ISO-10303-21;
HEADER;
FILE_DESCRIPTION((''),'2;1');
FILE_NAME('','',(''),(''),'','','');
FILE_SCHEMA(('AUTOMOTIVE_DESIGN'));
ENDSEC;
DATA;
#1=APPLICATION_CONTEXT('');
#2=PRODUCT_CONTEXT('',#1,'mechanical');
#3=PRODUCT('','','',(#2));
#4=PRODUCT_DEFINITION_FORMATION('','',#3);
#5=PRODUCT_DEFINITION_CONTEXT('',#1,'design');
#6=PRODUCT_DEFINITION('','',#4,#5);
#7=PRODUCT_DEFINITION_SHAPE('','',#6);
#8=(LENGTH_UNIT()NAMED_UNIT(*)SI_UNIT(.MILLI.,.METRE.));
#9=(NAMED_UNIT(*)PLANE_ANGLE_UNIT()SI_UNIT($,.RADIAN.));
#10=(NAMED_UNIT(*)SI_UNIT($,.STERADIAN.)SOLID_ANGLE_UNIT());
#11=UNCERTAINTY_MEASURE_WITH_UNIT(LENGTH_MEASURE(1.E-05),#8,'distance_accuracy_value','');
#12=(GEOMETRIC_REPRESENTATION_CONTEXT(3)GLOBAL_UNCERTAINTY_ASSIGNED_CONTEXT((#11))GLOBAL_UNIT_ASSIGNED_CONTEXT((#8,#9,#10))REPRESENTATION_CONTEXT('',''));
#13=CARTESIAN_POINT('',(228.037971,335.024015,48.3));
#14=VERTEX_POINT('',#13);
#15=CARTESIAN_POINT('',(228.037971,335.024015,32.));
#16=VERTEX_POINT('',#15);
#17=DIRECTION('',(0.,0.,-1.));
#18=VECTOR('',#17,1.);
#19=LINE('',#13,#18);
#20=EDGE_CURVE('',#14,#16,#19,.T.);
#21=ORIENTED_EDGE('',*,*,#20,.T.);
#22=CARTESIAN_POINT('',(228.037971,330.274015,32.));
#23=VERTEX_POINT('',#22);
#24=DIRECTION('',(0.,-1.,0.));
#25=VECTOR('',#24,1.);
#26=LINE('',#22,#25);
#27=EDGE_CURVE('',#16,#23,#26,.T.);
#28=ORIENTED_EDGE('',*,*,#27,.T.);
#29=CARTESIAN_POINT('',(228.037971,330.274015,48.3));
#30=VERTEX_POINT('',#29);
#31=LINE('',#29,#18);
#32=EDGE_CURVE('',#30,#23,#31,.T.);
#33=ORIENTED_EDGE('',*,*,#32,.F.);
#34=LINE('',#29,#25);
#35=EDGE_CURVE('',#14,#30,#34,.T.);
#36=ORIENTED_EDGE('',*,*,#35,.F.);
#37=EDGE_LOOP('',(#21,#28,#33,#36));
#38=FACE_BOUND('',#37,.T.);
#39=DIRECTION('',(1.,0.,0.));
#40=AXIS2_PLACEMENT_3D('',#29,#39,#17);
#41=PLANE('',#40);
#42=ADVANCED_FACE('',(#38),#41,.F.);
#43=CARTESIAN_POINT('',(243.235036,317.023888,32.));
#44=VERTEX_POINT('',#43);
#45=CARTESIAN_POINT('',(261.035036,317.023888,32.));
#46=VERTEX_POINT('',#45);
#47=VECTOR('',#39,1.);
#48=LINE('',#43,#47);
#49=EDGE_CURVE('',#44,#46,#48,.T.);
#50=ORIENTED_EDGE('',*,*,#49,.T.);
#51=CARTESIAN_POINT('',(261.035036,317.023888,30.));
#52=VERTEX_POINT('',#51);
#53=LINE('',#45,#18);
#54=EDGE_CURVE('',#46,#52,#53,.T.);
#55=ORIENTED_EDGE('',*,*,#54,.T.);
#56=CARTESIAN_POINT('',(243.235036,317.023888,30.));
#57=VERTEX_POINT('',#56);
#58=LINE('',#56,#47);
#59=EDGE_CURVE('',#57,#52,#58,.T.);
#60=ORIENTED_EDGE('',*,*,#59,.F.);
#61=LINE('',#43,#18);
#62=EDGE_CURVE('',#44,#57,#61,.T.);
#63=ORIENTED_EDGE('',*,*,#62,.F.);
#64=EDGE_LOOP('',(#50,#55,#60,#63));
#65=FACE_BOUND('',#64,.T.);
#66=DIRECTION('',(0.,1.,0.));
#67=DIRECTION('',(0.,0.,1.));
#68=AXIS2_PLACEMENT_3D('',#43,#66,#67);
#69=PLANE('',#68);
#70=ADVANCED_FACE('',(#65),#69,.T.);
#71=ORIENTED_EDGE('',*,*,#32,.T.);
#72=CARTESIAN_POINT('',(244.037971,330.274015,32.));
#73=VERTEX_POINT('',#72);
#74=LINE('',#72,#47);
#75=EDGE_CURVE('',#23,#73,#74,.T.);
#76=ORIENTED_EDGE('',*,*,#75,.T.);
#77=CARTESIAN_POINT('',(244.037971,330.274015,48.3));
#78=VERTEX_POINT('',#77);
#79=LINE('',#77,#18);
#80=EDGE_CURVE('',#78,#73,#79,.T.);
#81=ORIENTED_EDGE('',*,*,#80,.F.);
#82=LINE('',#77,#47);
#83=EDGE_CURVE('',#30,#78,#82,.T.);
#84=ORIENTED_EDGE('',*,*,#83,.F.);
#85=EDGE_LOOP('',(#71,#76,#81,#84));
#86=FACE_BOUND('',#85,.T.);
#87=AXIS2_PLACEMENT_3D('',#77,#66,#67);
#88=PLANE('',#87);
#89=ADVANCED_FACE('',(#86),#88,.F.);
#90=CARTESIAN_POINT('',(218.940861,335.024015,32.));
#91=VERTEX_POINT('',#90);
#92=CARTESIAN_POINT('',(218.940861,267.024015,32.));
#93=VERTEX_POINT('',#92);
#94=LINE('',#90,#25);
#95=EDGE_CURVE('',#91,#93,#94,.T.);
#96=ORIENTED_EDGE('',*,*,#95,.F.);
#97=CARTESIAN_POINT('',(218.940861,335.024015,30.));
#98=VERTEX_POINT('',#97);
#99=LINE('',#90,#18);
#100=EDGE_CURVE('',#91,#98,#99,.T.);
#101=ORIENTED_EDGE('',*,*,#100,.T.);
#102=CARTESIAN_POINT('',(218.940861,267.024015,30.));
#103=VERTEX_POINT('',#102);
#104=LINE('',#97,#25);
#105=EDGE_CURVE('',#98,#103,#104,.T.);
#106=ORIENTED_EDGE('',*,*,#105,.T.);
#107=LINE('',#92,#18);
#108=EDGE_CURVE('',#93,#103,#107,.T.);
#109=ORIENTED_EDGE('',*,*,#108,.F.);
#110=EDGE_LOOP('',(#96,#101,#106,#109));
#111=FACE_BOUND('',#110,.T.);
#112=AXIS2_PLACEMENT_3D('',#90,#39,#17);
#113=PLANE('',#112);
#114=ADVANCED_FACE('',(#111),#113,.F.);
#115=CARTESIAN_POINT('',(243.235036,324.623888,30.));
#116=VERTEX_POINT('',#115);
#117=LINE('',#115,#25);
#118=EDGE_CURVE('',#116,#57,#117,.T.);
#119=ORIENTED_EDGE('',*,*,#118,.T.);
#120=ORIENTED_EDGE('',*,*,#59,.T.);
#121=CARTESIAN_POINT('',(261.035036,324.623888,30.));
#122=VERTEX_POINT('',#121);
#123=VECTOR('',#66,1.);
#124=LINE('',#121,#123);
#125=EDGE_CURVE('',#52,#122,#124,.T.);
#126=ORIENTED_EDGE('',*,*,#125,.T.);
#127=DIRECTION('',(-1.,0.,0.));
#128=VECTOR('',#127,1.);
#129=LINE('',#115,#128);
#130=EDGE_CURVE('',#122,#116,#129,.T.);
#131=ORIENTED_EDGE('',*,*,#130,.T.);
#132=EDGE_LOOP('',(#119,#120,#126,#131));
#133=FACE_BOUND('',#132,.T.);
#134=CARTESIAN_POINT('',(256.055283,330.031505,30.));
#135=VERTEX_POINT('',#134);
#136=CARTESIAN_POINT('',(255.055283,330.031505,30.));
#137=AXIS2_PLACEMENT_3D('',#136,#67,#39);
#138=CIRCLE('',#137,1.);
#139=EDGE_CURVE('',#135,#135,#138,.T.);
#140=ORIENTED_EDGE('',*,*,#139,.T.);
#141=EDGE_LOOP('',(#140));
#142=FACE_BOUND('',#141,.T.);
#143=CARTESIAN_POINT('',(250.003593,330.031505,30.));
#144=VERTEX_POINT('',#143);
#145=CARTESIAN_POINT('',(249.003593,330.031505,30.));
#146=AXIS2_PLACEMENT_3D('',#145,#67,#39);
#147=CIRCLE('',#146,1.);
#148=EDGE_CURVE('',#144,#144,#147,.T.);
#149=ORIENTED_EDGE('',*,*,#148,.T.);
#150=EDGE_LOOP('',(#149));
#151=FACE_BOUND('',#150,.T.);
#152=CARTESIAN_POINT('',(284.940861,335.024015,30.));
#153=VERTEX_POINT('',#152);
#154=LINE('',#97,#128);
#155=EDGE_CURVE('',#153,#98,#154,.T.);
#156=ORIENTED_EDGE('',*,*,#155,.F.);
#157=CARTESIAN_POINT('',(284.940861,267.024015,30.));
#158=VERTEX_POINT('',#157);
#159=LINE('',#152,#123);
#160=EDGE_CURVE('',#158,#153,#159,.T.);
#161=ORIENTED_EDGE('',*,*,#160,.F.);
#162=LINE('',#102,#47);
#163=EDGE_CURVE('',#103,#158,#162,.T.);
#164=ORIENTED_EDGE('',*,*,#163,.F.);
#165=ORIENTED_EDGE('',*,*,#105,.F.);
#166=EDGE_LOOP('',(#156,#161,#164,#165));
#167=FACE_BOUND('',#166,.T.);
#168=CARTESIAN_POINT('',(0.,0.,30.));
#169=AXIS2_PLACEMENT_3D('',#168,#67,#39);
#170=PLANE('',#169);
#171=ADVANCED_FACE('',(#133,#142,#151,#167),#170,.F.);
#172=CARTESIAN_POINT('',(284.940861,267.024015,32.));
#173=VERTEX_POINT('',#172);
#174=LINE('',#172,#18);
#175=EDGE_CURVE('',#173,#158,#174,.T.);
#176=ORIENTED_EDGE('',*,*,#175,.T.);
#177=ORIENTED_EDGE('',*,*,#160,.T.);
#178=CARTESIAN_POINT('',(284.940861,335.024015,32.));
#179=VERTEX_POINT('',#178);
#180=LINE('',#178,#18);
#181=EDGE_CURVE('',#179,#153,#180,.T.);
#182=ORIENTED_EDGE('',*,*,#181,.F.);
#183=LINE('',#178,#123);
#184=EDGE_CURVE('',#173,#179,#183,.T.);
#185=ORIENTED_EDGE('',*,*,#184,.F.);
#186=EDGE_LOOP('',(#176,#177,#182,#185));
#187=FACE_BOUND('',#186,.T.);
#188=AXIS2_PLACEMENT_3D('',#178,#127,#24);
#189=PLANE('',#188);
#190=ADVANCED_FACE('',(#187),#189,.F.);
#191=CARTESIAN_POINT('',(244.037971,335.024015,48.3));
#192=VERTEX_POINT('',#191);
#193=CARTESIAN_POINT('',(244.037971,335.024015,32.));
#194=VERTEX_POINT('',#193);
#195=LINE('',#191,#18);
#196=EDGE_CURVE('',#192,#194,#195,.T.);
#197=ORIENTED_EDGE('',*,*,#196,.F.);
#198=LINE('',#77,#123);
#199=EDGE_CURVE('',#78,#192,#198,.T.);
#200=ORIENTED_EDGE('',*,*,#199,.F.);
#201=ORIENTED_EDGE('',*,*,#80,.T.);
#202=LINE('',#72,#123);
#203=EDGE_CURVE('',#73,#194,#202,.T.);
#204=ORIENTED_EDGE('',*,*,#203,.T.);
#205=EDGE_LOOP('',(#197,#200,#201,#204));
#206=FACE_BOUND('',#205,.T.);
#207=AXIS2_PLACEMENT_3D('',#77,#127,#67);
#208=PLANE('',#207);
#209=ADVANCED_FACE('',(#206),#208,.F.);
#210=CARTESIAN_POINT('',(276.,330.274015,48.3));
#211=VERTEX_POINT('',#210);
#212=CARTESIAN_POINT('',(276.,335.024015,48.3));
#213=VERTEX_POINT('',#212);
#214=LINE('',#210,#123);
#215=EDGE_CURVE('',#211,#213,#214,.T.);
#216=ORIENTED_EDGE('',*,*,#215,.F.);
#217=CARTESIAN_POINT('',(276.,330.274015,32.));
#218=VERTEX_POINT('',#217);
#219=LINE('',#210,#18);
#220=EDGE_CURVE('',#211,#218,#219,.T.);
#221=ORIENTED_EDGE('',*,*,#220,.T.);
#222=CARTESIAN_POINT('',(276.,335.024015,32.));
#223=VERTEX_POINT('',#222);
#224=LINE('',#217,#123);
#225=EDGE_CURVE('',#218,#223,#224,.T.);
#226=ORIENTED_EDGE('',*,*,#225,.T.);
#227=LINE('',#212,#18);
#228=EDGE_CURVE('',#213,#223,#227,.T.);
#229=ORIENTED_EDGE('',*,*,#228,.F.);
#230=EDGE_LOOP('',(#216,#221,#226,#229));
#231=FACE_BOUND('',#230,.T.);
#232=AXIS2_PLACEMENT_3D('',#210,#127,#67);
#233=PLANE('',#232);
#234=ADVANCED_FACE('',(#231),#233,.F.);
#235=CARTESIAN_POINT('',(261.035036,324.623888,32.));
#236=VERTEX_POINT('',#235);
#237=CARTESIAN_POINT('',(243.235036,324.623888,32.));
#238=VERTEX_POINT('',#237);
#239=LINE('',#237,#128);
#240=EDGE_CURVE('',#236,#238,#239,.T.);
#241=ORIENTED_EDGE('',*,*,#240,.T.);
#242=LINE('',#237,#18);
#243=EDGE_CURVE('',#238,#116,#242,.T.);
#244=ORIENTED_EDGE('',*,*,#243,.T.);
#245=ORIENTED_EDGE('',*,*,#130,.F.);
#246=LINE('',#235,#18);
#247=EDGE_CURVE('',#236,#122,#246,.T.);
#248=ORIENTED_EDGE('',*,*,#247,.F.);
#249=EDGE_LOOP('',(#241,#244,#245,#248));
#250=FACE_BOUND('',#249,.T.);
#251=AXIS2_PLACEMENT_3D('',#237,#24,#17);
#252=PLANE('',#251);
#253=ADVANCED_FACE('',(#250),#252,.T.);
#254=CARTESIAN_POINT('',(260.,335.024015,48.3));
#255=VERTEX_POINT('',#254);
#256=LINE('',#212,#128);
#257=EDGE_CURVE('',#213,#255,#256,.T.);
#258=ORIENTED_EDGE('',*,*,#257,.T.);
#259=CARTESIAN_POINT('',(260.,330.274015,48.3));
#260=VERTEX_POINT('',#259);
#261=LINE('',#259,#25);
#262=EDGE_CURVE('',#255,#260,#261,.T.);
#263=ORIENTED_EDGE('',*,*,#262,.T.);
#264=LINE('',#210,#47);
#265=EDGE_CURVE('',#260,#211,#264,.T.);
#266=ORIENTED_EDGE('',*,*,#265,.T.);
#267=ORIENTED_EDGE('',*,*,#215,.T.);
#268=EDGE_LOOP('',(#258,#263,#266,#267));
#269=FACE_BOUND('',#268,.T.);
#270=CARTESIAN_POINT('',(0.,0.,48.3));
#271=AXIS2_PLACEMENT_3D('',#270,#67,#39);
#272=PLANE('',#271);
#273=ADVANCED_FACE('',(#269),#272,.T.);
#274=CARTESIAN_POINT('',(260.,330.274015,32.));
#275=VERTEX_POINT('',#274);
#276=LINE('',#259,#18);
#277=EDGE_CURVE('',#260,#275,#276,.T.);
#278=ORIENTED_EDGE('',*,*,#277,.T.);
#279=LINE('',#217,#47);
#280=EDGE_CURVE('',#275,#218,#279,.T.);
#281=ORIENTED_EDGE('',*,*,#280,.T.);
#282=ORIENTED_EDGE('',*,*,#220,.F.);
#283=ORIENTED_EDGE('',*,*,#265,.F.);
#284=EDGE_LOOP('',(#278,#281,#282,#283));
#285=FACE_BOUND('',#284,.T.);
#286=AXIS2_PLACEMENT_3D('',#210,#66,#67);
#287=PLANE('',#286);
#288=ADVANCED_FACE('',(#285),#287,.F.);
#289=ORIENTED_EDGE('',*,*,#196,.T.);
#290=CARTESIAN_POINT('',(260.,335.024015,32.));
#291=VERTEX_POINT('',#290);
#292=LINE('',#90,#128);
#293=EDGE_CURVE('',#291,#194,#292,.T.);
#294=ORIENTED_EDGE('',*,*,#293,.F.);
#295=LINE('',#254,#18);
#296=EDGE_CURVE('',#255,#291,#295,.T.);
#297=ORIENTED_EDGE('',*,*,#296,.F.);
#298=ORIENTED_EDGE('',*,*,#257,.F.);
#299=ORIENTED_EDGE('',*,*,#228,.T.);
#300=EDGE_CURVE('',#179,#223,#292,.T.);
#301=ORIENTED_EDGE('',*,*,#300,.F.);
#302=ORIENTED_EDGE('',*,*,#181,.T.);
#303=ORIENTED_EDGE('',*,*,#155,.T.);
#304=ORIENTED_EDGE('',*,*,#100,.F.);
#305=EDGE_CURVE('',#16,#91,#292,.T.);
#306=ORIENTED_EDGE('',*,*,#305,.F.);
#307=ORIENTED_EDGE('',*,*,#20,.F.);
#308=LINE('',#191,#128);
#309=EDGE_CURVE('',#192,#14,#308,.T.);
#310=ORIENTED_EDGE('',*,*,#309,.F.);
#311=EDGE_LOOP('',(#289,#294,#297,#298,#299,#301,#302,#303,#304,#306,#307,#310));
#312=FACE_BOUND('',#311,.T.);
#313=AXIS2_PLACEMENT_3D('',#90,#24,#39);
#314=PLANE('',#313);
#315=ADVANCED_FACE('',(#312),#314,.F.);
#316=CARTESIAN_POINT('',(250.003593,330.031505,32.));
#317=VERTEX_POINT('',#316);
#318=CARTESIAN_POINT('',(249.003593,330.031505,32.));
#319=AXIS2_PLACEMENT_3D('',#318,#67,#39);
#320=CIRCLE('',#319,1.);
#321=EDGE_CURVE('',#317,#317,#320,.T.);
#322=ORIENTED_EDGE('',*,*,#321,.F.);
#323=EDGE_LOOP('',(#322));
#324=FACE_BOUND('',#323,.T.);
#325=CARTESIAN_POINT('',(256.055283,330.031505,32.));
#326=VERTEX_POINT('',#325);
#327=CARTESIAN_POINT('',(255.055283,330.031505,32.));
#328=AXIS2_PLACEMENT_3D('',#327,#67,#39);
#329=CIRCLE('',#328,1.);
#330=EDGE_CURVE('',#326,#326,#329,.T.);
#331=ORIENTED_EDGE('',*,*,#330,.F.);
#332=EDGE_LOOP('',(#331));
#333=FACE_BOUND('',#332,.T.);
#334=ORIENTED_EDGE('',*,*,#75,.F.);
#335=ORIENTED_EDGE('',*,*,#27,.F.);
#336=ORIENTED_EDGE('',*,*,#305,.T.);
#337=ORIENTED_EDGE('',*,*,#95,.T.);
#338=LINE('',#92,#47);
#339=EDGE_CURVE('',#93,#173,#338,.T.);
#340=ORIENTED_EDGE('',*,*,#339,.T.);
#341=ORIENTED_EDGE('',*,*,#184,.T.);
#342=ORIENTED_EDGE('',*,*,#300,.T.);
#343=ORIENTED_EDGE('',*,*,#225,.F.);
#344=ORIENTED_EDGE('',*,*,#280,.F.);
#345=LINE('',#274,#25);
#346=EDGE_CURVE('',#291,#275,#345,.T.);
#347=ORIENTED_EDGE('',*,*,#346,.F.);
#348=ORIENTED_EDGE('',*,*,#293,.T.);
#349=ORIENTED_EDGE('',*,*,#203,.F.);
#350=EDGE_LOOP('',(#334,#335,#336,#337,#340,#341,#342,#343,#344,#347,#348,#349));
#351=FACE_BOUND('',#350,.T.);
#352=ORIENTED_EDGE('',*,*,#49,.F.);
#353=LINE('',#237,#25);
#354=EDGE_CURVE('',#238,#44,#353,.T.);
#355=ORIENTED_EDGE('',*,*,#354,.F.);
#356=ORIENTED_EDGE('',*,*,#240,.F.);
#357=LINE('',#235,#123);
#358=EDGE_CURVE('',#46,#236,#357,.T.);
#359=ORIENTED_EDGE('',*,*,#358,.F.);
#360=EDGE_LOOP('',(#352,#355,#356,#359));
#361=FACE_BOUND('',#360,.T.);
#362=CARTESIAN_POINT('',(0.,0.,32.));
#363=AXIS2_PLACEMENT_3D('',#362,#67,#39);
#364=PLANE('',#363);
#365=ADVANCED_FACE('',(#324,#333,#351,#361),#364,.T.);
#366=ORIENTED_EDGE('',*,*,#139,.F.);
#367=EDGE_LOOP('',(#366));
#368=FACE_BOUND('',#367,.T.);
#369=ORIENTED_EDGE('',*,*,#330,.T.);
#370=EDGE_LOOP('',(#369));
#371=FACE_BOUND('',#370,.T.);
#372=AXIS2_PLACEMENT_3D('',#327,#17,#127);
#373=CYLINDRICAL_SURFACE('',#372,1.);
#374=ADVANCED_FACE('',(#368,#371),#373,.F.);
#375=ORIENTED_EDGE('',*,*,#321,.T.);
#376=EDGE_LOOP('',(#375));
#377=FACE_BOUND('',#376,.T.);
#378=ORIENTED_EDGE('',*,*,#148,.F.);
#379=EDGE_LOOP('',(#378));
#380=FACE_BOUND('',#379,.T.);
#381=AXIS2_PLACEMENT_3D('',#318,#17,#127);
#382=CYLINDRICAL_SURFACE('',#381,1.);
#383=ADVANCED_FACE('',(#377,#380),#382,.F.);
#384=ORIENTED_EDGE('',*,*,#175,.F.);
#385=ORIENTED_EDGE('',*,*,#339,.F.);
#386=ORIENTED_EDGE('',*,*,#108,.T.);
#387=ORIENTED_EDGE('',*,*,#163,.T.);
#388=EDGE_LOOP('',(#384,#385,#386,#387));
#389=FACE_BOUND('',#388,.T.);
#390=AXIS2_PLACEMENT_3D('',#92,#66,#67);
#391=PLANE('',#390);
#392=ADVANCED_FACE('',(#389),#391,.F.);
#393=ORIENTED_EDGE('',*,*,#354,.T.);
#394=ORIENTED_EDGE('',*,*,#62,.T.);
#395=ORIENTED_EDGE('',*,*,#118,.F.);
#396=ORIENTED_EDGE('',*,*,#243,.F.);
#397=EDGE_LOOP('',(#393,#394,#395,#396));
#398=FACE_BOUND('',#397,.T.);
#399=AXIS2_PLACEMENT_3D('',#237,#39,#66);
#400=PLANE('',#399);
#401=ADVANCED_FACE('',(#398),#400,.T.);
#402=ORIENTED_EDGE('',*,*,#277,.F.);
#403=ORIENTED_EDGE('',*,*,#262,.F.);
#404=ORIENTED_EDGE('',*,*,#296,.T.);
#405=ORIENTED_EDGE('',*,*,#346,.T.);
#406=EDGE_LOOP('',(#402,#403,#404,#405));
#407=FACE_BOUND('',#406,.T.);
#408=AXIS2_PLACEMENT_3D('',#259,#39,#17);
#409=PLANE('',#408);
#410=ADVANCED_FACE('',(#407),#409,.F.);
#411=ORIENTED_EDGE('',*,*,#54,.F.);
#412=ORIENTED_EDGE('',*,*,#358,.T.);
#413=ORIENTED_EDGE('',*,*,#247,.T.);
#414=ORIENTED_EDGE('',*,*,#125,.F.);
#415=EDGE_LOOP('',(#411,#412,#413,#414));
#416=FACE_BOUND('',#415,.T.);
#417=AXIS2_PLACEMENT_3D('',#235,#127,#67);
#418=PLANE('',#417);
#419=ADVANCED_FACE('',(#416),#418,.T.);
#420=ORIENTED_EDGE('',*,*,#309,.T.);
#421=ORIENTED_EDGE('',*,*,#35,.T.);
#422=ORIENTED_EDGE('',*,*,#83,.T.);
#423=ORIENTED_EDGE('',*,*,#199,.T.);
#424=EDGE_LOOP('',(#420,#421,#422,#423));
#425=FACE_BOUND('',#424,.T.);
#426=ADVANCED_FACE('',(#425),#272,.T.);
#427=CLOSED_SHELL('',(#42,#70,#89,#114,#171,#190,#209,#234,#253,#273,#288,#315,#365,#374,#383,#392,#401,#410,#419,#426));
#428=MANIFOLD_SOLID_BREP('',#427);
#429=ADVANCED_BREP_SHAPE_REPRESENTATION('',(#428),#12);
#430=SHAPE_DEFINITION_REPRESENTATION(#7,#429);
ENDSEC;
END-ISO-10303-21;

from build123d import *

# Parameters (mm, degrees)
SKETCH1_W           = 66
SKETCH1_H           = 68
SKETCH1_R           = 1
SKETCH1_W_2         = 17.8
SKETCH1_H_2         = 7.6
BOSS_EXTRUDE1_DEPTH = 2
SKETCH2_W           = 16
SKETCH2_H           = 4.75
BOSS_EXTRUDE2_DEPTH = 16.3


with BuildPart() as part:
    # Sketch1 → Boss-Extrude1 (new body)
    with BuildSketch(Plane.XY.offset(30)):
        with Locations((251.940861289, 301.024014524)):
            Rectangle(SKETCH1_W, SKETCH1_H)
        with Locations((249.003592831, 330.031505481)):
            Circle(SKETCH1_R, mode=Mode.SUBTRACT)
        with Locations((255.055282531, 330.031505481)):
            Circle(SKETCH1_R, mode=Mode.SUBTRACT)
        with Locations((252.135035756, 320.823888471)):
            Rectangle(SKETCH1_W_2, SKETCH1_H_2, mode=Mode.SUBTRACT)
    extrude(amount=BOSS_EXTRUDE1_DEPTH)

    # Sketch2 → Boss-Extrude2 (add)
    with BuildSketch(Plane.XY.offset(32)):
        with Locations((236.037971242, 332.649014524)):
            Rectangle(SKETCH2_W, SKETCH2_H)
        with Locations((268, 332.649014524)):
            Rectangle(SKETCH2_W, SKETCH2_H)
    extrude(amount=BOSS_EXTRUDE2_DEPTH)


solid = part.part
